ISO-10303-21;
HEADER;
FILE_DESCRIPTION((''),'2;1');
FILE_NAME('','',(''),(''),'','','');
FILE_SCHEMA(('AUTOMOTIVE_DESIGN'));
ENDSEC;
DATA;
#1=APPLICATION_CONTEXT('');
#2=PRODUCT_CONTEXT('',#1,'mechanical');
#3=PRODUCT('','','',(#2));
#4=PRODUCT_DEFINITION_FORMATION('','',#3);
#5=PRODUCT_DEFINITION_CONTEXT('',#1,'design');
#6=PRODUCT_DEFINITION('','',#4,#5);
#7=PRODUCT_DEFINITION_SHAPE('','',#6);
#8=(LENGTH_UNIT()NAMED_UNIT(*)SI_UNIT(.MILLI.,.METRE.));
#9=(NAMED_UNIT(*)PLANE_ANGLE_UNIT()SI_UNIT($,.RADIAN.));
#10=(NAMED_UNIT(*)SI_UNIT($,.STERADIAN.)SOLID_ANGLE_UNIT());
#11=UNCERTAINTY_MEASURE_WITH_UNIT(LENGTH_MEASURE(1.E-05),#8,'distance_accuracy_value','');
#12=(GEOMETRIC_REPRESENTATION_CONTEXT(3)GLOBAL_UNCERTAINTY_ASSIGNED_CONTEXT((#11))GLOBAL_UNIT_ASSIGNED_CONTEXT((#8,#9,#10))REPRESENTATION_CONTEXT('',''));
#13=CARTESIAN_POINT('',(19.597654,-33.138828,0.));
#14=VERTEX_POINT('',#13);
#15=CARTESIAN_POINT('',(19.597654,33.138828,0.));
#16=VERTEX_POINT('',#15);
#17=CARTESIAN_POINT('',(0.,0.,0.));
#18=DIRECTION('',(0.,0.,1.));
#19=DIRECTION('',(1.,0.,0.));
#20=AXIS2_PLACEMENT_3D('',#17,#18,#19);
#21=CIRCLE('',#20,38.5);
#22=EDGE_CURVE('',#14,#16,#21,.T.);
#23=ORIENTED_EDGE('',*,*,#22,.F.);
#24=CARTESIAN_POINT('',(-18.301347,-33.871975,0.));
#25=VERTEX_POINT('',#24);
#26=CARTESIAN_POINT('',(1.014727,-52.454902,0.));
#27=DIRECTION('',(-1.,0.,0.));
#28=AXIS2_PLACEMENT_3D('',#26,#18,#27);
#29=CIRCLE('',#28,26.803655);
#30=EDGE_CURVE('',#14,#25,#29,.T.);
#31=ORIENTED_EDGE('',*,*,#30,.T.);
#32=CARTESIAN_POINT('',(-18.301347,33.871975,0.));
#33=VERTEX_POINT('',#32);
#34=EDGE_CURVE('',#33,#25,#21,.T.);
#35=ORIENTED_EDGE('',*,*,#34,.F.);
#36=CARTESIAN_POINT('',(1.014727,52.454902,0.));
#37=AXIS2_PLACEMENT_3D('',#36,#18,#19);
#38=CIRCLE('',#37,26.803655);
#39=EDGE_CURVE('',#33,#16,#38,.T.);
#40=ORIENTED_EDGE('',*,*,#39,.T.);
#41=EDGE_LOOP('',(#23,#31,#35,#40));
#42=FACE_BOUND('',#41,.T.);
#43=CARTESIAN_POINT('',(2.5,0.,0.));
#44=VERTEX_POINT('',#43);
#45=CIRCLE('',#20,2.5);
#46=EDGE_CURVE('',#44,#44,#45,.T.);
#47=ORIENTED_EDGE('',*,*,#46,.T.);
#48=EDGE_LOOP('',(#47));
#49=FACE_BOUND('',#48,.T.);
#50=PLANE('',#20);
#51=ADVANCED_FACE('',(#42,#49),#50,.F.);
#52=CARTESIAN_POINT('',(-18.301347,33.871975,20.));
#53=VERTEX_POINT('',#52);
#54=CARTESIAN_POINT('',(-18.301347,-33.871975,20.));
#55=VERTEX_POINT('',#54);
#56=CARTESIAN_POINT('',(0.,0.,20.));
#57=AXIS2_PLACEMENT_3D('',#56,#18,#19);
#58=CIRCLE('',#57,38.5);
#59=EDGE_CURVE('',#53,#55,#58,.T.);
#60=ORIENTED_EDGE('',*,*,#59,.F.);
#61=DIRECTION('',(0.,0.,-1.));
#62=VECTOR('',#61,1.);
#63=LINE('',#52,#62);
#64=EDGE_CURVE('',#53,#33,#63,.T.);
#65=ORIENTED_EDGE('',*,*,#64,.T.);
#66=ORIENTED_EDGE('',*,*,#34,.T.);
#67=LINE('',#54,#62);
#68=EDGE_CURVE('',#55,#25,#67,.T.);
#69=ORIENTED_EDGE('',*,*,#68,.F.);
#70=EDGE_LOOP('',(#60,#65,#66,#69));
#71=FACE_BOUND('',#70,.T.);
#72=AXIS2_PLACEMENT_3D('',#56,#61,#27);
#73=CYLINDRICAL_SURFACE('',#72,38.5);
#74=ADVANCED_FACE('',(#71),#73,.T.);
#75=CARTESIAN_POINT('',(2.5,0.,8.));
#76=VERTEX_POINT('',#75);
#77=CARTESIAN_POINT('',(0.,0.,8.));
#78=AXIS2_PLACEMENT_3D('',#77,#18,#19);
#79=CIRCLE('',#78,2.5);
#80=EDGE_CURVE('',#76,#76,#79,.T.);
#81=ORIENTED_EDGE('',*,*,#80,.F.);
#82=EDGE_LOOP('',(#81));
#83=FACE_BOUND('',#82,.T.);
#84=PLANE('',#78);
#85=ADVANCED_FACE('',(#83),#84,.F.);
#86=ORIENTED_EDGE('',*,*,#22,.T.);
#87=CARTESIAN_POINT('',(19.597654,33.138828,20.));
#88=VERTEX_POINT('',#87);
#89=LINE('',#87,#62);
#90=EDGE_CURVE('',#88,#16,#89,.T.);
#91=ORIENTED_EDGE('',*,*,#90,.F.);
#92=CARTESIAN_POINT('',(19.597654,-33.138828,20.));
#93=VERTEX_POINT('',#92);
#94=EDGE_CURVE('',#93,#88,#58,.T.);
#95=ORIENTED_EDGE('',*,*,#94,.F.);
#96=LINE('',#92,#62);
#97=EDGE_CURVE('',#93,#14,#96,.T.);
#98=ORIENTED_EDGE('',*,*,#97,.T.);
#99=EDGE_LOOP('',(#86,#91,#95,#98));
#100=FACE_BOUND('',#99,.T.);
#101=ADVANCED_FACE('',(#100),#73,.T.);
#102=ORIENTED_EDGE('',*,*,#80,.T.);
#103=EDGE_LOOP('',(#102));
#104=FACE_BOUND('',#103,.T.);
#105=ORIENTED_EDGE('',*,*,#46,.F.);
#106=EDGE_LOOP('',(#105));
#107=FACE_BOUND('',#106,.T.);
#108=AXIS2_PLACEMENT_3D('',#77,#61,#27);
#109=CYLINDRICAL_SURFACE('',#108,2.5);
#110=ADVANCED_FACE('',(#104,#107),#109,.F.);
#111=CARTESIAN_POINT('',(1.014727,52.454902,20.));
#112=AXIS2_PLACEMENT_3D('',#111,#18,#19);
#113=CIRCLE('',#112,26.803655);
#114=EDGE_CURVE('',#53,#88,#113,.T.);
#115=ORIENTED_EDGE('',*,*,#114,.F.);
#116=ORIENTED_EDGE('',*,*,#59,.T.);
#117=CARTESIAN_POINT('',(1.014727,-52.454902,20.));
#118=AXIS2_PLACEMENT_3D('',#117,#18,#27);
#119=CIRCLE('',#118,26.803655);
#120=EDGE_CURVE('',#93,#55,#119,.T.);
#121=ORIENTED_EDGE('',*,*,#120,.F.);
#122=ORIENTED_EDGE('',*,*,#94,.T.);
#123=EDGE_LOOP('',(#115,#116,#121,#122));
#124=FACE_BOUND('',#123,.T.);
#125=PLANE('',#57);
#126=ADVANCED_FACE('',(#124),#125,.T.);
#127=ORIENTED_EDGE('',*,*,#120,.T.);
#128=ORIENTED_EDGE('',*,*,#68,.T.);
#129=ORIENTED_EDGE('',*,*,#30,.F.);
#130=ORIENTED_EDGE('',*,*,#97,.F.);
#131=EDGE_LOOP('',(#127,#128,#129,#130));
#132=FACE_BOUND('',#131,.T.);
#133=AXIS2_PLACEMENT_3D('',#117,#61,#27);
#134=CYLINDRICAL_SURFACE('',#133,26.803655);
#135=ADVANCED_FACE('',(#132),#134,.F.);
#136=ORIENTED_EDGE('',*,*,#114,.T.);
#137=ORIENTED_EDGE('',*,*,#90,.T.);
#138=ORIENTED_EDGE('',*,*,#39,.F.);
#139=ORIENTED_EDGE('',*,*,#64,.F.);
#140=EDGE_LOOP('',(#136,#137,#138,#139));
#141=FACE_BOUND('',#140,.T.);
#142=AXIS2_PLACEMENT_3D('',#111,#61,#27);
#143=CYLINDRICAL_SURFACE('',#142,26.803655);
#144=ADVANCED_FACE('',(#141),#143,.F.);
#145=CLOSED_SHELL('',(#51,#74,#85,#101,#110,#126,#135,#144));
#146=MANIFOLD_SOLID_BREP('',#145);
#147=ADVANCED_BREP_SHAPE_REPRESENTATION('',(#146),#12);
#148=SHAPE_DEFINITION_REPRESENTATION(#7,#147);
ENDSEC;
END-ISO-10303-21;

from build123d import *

# Parameters (mm, degrees)
SKETCH_1_R          = 38.5
EXTRUDE_2_DEPTH     = 20
CUT_EXTRUDE_1_DEPTH = 20
SKETCH_4_R          = 2.5
CUT_EXTRUDE_2_DEPTH = 8


with BuildPart() as part:
    # Эскиз1 → Бобышка-Вытянуть2 (new body)
    with BuildSketch(Plane.XY):
        Circle(SKETCH_1_R)
    extrude(amount=EXTRUDE_2_DEPTH)

    # Эскиз3 → Вырез-Вытянуть1 (cut)
    with BuildSketch(Plane.XY):
        with BuildLine():
            ThreePointArc((-18.301346902, 33.871975165), (0.496314005, 25.656261649), (19.597654242, 33.138828407))
            ThreePointArc((19.597654242, 33.138828407), (0.744633616, 38.492798298), (-18.301346902, 33.871975165))
        make_face()
        with BuildLine():
            ThreePointArc((-18.301346902, -33.871975165), (0.496314005, -25.656261649), (19.597654242, -33.138828407))
            ThreePointArc((19.597654242, -33.138828407), (0.744633616, -38.492798298), (-18.301346902, -33.871975165))
        make_face()
    extrude(amount=CUT_EXTRUDE_1_DEPTH, mode=Mode.SUBTRACT)

    # Эскиз4 → Вырез-Вытянуть2 (cut)
    with BuildSketch(Plane.XY):
        Circle(SKETCH_4_R)
    extrude(amount=CUT_EXTRUDE_2_DEPTH, mode=Mode.SUBTRACT)


solid = part.part
